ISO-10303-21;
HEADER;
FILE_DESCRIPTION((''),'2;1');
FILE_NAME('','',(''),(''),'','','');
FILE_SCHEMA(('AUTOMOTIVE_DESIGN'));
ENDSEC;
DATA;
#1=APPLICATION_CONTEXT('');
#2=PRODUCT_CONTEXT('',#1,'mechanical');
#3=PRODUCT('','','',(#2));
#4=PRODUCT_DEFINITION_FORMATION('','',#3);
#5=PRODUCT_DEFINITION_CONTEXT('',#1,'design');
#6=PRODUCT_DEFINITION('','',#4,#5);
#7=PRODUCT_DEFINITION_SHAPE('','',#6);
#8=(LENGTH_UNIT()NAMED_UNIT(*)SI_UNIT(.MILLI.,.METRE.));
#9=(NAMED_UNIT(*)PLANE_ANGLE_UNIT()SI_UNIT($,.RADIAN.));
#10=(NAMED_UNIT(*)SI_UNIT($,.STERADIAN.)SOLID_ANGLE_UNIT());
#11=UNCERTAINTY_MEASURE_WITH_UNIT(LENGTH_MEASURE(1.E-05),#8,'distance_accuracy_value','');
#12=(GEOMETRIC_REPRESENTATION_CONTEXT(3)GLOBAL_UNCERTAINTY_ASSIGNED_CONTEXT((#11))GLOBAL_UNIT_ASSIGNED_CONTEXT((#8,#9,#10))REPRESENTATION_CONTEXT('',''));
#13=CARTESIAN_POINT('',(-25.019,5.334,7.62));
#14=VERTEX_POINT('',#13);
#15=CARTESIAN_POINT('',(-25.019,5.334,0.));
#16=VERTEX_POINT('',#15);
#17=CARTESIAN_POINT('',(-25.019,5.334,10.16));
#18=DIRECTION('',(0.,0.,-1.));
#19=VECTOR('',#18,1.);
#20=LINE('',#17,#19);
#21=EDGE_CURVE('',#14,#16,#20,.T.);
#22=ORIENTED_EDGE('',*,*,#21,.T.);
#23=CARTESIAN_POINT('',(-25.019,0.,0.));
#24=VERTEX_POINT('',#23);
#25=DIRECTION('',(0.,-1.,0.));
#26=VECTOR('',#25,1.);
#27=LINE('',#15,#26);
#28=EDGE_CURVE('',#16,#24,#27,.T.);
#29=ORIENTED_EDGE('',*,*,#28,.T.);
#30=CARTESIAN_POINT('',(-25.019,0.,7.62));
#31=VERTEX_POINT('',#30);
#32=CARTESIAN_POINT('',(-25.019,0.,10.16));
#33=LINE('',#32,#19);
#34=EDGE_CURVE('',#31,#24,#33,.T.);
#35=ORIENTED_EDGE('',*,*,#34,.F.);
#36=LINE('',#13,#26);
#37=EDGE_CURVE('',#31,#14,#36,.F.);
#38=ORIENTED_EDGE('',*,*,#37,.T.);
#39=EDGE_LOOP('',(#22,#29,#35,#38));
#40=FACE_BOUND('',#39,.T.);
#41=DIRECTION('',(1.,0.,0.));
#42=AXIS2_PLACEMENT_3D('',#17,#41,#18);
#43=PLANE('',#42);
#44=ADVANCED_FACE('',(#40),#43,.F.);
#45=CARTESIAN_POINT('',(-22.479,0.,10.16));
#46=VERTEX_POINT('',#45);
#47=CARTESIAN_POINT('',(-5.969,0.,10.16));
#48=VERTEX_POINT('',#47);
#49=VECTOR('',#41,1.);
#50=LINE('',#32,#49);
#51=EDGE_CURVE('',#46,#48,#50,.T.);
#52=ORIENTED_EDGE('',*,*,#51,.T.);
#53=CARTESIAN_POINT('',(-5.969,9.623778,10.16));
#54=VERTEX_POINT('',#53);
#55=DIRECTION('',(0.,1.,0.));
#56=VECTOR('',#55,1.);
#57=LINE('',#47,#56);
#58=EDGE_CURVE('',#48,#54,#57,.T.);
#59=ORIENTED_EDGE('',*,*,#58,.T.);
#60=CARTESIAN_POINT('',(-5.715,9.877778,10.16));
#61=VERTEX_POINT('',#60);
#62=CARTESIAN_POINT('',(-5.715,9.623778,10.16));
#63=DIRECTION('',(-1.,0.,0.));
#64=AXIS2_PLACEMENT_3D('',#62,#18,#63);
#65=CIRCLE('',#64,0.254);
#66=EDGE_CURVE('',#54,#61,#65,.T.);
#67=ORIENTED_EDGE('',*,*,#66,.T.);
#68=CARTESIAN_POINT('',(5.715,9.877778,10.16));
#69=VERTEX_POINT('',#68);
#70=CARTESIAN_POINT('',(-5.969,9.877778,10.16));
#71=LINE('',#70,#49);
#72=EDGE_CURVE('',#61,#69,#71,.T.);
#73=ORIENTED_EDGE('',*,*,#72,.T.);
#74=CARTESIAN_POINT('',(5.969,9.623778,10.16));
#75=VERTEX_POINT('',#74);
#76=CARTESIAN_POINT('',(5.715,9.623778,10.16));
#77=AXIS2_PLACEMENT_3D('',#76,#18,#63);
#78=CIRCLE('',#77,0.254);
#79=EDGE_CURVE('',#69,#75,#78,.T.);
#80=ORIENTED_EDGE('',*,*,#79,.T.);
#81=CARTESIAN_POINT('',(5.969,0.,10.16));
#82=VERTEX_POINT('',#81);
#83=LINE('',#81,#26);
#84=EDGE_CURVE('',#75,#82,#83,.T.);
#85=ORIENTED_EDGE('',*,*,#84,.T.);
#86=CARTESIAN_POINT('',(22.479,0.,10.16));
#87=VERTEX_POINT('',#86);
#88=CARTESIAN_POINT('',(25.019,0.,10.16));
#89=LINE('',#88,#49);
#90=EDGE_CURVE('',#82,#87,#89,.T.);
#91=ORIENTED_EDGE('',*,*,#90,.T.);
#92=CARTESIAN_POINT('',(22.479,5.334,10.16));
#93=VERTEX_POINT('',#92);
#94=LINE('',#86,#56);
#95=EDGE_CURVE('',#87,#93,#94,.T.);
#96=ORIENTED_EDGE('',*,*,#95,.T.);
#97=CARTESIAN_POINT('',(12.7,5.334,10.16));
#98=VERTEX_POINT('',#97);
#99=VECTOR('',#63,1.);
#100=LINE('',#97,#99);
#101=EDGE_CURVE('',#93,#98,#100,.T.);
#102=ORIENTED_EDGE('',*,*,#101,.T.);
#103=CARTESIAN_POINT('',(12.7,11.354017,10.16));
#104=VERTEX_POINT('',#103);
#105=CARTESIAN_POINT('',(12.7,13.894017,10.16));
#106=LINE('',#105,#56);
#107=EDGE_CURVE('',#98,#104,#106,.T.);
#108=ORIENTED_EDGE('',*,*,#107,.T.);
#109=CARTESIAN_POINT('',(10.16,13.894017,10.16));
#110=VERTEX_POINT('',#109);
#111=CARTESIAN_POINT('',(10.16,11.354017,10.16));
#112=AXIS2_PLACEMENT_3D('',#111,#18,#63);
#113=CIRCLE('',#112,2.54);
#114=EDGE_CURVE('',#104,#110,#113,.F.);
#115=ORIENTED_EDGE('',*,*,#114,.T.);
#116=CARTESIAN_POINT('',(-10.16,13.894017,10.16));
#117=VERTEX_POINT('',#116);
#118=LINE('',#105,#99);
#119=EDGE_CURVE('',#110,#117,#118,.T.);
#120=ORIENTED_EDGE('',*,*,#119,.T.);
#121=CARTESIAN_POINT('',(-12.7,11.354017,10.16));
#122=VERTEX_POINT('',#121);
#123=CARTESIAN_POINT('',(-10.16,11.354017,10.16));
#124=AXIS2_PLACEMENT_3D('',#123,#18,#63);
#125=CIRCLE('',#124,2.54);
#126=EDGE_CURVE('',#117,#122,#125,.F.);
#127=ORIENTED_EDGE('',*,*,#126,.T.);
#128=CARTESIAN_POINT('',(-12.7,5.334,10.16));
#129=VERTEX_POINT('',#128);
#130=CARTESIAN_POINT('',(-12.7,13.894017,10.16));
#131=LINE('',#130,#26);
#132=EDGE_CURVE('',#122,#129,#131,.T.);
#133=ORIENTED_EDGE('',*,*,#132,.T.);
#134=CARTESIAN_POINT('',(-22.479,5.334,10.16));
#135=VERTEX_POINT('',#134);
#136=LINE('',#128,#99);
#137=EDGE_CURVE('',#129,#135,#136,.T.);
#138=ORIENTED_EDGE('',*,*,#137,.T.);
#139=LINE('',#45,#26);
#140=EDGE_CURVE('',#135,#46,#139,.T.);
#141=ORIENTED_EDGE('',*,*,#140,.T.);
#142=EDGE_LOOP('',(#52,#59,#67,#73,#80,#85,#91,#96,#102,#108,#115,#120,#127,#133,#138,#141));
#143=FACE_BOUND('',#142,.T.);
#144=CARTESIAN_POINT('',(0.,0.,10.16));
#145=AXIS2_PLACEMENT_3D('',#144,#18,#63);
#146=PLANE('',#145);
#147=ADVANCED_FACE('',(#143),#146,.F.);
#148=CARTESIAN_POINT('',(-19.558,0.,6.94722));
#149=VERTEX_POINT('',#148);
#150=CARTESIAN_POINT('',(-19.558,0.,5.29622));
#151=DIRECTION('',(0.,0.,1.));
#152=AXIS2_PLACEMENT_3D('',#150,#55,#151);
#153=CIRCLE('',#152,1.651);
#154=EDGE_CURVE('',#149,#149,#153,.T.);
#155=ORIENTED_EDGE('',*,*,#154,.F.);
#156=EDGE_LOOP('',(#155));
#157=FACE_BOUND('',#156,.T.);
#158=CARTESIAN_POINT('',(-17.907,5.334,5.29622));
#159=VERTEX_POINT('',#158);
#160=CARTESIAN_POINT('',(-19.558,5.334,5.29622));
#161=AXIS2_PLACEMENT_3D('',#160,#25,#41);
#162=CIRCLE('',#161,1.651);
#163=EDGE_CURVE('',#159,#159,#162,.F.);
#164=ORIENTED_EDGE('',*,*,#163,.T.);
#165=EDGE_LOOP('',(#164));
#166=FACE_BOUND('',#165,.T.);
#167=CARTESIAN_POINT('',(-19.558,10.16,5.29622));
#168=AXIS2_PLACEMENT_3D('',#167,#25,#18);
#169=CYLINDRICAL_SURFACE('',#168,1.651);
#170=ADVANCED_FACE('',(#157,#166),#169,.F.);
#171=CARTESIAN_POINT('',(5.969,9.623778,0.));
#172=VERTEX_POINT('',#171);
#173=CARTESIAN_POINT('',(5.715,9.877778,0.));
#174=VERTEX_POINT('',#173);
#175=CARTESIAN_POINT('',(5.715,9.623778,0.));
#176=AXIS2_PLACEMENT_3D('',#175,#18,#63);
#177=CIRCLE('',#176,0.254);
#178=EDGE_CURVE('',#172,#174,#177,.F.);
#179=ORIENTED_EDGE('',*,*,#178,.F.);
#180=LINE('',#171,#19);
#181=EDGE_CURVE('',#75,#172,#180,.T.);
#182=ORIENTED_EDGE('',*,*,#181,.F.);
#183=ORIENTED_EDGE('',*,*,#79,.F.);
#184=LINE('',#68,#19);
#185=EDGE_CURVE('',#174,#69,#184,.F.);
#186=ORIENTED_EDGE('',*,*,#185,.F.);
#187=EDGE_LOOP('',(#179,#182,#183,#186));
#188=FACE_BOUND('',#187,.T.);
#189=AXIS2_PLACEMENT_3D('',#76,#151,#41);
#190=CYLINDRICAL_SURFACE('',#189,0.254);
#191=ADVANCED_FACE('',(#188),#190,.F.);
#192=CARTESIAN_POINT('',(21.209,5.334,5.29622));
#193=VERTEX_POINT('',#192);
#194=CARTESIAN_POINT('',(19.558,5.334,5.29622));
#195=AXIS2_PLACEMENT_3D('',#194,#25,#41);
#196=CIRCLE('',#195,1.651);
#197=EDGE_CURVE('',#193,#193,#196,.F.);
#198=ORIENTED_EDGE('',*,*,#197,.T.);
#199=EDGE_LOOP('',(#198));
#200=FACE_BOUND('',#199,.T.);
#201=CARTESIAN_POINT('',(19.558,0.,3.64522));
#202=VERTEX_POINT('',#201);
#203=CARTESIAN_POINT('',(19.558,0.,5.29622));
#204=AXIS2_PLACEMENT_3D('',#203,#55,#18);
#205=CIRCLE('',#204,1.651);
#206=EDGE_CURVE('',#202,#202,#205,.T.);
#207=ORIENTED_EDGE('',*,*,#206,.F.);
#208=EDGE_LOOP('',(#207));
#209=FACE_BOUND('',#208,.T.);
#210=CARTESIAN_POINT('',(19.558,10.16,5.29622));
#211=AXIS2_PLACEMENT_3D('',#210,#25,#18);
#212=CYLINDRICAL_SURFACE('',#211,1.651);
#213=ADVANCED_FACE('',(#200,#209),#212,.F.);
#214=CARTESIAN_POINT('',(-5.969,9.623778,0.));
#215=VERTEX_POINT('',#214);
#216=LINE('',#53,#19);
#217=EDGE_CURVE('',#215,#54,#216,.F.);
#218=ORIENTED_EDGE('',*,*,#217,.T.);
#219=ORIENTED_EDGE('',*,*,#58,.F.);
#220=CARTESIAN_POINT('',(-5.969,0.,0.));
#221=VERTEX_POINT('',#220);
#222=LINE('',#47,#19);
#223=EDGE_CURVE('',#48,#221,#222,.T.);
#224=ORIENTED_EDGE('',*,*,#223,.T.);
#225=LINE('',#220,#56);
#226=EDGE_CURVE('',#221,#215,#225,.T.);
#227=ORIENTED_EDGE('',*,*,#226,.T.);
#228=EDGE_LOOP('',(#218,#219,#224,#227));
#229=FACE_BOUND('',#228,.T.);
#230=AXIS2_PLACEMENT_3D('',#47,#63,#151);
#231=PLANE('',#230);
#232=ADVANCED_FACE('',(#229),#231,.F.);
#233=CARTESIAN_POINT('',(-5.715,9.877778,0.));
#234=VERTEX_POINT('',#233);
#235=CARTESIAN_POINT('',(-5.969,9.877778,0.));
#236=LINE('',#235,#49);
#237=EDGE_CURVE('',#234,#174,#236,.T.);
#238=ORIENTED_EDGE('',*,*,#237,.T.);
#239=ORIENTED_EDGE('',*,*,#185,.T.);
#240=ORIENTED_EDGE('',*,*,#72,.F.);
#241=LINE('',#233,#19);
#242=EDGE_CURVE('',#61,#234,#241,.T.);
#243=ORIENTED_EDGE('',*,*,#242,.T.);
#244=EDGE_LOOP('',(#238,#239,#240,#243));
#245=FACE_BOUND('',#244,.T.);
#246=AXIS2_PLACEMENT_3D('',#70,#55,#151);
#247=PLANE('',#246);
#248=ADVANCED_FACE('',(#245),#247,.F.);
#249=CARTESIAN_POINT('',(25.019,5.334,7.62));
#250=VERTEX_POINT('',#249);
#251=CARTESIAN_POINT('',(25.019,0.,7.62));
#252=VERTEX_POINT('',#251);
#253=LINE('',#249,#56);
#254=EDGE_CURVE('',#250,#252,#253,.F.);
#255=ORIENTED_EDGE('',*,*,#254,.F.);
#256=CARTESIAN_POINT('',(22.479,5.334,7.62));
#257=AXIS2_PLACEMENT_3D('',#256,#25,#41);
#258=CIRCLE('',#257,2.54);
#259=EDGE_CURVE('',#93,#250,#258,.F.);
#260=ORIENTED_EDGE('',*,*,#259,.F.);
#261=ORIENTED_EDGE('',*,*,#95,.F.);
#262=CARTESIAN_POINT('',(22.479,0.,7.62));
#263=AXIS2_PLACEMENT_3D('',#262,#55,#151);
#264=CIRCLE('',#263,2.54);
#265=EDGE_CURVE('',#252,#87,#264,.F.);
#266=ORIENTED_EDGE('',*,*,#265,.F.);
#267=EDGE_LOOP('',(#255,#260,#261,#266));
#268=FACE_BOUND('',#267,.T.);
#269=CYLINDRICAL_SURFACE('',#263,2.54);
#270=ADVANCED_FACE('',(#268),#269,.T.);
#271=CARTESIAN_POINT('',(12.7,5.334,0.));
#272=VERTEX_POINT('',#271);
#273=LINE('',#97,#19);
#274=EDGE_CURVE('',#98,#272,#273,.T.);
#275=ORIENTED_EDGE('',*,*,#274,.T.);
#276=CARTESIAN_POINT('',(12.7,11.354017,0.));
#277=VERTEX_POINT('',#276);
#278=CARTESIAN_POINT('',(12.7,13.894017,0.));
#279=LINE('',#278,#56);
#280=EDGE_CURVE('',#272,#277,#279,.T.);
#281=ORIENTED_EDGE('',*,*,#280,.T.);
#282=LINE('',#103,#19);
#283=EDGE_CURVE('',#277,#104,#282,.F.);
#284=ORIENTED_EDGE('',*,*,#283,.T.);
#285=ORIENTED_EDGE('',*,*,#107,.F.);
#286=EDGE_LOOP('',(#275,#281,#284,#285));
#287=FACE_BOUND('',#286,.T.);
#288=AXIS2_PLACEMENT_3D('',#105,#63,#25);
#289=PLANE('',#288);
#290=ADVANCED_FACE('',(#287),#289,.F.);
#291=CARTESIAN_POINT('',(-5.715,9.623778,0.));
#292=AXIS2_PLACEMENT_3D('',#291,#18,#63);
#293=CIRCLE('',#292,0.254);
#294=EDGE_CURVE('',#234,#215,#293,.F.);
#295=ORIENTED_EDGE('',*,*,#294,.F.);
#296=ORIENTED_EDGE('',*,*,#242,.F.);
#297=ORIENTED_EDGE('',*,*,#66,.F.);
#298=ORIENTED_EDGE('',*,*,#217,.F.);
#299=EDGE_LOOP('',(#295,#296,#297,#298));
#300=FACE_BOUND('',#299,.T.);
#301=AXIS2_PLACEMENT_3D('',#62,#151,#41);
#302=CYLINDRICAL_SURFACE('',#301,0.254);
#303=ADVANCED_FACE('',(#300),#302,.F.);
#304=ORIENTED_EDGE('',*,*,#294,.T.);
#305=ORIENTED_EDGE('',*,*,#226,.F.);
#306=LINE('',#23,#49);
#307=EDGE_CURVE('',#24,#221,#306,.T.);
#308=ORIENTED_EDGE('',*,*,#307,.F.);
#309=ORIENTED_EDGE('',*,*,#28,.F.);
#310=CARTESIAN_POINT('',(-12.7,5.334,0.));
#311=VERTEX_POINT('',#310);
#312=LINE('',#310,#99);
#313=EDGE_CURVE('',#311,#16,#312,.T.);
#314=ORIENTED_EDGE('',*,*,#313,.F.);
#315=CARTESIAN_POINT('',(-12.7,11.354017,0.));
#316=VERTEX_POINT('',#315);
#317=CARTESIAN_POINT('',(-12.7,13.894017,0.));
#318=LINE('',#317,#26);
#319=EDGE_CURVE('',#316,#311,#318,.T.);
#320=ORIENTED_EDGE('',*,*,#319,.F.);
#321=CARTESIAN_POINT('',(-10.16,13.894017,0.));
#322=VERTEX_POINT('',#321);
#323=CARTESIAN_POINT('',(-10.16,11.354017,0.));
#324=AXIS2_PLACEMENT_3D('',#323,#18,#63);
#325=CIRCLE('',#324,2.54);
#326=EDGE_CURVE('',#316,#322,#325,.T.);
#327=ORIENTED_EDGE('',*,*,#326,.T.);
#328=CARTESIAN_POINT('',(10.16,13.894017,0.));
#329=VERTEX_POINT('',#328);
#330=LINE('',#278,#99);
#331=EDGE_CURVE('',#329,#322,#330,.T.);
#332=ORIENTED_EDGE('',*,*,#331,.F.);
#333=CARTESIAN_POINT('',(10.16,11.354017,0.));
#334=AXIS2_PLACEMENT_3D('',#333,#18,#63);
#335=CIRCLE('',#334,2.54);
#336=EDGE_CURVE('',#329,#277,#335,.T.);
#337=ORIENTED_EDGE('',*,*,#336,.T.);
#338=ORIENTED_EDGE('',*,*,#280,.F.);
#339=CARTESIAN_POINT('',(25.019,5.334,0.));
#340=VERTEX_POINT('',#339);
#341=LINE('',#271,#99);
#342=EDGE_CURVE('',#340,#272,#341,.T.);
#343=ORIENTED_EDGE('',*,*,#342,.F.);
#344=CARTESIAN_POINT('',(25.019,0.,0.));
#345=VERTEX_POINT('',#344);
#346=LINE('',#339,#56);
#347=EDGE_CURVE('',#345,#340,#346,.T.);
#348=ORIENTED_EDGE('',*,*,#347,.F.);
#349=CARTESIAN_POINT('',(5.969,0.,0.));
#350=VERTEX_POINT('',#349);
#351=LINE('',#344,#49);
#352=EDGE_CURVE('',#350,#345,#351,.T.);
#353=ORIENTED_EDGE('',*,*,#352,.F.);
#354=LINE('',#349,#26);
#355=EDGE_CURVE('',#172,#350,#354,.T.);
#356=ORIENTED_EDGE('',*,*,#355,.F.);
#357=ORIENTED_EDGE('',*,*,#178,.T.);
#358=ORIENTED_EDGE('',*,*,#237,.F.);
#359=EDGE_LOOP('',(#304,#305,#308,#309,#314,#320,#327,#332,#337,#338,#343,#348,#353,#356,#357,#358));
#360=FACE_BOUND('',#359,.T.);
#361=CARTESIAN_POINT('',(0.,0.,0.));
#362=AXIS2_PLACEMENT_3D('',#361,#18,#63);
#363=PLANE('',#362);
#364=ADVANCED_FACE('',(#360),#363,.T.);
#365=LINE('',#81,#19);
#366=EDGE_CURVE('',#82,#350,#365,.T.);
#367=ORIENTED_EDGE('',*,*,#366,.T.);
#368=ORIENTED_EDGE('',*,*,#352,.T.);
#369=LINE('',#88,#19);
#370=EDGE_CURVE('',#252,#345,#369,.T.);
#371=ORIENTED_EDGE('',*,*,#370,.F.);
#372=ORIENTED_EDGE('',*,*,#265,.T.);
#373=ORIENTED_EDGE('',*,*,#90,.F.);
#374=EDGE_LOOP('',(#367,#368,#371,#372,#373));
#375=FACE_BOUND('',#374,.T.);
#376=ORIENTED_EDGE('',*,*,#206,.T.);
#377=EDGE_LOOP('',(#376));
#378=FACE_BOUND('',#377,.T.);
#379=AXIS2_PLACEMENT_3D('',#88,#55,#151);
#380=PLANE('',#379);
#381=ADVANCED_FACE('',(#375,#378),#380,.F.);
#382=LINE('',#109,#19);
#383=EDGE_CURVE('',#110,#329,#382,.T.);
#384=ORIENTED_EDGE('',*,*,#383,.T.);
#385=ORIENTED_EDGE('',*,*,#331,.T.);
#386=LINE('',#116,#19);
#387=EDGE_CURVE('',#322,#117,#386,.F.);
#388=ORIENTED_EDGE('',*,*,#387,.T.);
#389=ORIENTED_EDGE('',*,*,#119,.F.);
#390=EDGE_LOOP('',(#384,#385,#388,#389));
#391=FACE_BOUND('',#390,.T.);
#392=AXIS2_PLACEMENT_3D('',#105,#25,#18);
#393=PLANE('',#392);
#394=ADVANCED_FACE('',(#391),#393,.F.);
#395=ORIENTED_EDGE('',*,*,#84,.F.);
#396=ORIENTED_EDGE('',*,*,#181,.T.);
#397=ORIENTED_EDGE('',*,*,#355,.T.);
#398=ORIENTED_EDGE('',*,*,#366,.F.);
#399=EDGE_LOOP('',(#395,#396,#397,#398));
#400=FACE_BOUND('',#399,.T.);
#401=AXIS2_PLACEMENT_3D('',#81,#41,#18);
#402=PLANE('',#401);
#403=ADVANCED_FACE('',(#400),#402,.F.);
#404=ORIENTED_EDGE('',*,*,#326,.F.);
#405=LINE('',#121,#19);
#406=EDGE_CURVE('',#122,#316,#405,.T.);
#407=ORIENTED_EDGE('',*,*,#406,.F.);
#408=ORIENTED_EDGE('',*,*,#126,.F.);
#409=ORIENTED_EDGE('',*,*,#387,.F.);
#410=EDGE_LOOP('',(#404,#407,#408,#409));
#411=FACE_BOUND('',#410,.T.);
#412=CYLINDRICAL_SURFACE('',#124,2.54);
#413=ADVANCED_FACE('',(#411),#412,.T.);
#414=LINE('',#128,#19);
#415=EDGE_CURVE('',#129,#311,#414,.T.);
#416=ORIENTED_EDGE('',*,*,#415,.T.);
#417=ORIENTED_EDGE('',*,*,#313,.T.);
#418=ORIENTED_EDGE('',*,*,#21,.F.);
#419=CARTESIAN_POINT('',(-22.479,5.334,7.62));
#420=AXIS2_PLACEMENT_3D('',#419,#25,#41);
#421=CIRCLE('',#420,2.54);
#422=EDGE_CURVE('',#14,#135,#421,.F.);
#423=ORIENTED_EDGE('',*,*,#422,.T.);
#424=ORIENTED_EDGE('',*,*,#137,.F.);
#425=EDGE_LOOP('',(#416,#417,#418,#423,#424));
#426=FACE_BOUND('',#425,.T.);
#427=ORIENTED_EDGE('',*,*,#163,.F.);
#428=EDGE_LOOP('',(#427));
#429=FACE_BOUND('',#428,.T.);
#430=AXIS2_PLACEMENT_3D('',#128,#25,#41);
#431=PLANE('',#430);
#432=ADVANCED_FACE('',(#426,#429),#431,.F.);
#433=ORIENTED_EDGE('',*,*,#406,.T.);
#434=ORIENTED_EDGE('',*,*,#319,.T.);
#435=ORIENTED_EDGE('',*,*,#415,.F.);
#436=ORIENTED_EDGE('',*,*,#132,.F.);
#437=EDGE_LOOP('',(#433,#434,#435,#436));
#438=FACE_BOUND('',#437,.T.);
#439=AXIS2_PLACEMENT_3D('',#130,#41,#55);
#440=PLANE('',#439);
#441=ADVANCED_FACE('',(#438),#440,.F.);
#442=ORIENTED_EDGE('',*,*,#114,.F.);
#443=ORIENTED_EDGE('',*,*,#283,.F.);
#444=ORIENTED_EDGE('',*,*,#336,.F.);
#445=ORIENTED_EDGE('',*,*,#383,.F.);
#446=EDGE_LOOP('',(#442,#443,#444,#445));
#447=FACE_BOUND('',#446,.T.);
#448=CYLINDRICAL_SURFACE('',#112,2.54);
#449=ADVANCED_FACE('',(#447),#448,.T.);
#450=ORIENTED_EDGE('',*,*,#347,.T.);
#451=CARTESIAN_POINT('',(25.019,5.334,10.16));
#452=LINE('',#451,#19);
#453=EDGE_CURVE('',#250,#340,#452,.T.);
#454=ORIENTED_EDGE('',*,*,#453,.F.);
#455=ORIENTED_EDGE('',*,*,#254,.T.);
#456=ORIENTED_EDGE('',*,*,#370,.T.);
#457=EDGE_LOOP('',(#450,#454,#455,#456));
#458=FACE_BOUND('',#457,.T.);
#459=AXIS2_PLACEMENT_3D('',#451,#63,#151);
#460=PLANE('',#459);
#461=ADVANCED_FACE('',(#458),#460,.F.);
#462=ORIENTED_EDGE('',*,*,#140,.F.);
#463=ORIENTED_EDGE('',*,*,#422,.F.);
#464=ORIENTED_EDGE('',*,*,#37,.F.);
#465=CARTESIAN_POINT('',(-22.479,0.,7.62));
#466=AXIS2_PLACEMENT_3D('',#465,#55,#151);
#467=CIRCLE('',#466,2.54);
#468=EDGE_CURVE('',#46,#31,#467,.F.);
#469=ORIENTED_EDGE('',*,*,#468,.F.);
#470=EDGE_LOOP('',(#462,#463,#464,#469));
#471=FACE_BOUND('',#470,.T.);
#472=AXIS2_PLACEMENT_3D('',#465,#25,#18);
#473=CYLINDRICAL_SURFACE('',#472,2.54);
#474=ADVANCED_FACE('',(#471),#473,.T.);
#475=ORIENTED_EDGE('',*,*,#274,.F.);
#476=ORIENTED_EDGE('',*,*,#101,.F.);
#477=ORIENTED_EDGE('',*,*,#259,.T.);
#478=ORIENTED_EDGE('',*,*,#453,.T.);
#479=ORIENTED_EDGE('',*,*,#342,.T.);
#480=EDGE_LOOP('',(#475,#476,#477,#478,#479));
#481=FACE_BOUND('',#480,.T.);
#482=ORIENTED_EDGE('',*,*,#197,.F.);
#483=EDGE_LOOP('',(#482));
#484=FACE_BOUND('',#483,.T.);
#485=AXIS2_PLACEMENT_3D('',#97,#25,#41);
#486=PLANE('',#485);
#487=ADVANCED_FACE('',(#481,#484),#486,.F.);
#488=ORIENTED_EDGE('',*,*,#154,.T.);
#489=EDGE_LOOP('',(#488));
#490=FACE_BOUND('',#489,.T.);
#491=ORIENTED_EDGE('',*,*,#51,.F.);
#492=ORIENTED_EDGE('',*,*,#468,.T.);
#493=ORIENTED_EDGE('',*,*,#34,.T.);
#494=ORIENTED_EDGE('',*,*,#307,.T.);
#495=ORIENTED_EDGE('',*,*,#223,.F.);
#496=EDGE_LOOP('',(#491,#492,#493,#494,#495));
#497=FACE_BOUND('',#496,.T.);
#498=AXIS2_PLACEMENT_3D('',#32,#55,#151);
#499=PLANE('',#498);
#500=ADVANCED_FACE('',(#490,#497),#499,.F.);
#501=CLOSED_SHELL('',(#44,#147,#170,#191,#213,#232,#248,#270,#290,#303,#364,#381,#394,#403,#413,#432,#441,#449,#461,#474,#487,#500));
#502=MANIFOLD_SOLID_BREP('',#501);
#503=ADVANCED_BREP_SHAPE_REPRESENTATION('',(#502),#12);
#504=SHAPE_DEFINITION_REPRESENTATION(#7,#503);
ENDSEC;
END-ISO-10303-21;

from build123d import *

# Parameters (mm, degrees)
BOSS_EXTRUDE1_DEPTH = 10.16
FILLET1_R           = 2.54
SKETCH3_R           = 1.651
CUT_EXTRUDE1_DEPTH  = 10.16
FILLET2_R           = 0.254


with BuildPart() as part:
    # Sketch2 → Boss-Extrude1 (new body)
    with BuildSketch(Plane.XY):
        Polygon((12.7, 13.894017094), (-12.7, 13.894017094), (-12.7, 5.334), (-25.019, 5.334), (-25.019, 0), (-5.969, 0), (-5.969, 9.877777778), (5.969, 9.877777778), (5.969, 0), (25.019, 0), (25.019, 5.334), (12.7, 5.334), align=None)
    extrude(amount=BOSS_EXTRUDE1_DEPTH)

    # Fillet1
    fillet1_edges = [part.edges().sort_by_distance(p)[0] for p in [
        (-12.7, 13.894017094, 5.08),
        (12.7, 13.894017094, 5.08),
        (-25.019, 2.667, 10.16),
        (25.019, 2.667, 10.16),
    ]]
    fillet(fillet1_edges, radius=FILLET1_R)

    # Sketch3 → Cut-Extrude1 (cut)
    with BuildSketch(Plane(origin=(0, 0, 0), x_dir=(1, 0, 0), z_dir=(0, 1, 0))):
        with Locations((-19.558, -5.296219795)):
            Circle(SKETCH3_R)
        with Locations((19.558, -5.296219795)):
            Circle(SKETCH3_R)
    extrude(amount=CUT_EXTRUDE1_DEPTH, mode=Mode.SUBTRACT)

    # Fillet2
    fillet2_edges = [part.edges().sort_by_distance(p)[0] for p in [
        (5.969, 9.877777778, 5.08),
        (-5.969, 9.877777778, 5.08),
    ]]
    fillet(fillet2_edges, radius=FILLET2_R)


solid = part.part
